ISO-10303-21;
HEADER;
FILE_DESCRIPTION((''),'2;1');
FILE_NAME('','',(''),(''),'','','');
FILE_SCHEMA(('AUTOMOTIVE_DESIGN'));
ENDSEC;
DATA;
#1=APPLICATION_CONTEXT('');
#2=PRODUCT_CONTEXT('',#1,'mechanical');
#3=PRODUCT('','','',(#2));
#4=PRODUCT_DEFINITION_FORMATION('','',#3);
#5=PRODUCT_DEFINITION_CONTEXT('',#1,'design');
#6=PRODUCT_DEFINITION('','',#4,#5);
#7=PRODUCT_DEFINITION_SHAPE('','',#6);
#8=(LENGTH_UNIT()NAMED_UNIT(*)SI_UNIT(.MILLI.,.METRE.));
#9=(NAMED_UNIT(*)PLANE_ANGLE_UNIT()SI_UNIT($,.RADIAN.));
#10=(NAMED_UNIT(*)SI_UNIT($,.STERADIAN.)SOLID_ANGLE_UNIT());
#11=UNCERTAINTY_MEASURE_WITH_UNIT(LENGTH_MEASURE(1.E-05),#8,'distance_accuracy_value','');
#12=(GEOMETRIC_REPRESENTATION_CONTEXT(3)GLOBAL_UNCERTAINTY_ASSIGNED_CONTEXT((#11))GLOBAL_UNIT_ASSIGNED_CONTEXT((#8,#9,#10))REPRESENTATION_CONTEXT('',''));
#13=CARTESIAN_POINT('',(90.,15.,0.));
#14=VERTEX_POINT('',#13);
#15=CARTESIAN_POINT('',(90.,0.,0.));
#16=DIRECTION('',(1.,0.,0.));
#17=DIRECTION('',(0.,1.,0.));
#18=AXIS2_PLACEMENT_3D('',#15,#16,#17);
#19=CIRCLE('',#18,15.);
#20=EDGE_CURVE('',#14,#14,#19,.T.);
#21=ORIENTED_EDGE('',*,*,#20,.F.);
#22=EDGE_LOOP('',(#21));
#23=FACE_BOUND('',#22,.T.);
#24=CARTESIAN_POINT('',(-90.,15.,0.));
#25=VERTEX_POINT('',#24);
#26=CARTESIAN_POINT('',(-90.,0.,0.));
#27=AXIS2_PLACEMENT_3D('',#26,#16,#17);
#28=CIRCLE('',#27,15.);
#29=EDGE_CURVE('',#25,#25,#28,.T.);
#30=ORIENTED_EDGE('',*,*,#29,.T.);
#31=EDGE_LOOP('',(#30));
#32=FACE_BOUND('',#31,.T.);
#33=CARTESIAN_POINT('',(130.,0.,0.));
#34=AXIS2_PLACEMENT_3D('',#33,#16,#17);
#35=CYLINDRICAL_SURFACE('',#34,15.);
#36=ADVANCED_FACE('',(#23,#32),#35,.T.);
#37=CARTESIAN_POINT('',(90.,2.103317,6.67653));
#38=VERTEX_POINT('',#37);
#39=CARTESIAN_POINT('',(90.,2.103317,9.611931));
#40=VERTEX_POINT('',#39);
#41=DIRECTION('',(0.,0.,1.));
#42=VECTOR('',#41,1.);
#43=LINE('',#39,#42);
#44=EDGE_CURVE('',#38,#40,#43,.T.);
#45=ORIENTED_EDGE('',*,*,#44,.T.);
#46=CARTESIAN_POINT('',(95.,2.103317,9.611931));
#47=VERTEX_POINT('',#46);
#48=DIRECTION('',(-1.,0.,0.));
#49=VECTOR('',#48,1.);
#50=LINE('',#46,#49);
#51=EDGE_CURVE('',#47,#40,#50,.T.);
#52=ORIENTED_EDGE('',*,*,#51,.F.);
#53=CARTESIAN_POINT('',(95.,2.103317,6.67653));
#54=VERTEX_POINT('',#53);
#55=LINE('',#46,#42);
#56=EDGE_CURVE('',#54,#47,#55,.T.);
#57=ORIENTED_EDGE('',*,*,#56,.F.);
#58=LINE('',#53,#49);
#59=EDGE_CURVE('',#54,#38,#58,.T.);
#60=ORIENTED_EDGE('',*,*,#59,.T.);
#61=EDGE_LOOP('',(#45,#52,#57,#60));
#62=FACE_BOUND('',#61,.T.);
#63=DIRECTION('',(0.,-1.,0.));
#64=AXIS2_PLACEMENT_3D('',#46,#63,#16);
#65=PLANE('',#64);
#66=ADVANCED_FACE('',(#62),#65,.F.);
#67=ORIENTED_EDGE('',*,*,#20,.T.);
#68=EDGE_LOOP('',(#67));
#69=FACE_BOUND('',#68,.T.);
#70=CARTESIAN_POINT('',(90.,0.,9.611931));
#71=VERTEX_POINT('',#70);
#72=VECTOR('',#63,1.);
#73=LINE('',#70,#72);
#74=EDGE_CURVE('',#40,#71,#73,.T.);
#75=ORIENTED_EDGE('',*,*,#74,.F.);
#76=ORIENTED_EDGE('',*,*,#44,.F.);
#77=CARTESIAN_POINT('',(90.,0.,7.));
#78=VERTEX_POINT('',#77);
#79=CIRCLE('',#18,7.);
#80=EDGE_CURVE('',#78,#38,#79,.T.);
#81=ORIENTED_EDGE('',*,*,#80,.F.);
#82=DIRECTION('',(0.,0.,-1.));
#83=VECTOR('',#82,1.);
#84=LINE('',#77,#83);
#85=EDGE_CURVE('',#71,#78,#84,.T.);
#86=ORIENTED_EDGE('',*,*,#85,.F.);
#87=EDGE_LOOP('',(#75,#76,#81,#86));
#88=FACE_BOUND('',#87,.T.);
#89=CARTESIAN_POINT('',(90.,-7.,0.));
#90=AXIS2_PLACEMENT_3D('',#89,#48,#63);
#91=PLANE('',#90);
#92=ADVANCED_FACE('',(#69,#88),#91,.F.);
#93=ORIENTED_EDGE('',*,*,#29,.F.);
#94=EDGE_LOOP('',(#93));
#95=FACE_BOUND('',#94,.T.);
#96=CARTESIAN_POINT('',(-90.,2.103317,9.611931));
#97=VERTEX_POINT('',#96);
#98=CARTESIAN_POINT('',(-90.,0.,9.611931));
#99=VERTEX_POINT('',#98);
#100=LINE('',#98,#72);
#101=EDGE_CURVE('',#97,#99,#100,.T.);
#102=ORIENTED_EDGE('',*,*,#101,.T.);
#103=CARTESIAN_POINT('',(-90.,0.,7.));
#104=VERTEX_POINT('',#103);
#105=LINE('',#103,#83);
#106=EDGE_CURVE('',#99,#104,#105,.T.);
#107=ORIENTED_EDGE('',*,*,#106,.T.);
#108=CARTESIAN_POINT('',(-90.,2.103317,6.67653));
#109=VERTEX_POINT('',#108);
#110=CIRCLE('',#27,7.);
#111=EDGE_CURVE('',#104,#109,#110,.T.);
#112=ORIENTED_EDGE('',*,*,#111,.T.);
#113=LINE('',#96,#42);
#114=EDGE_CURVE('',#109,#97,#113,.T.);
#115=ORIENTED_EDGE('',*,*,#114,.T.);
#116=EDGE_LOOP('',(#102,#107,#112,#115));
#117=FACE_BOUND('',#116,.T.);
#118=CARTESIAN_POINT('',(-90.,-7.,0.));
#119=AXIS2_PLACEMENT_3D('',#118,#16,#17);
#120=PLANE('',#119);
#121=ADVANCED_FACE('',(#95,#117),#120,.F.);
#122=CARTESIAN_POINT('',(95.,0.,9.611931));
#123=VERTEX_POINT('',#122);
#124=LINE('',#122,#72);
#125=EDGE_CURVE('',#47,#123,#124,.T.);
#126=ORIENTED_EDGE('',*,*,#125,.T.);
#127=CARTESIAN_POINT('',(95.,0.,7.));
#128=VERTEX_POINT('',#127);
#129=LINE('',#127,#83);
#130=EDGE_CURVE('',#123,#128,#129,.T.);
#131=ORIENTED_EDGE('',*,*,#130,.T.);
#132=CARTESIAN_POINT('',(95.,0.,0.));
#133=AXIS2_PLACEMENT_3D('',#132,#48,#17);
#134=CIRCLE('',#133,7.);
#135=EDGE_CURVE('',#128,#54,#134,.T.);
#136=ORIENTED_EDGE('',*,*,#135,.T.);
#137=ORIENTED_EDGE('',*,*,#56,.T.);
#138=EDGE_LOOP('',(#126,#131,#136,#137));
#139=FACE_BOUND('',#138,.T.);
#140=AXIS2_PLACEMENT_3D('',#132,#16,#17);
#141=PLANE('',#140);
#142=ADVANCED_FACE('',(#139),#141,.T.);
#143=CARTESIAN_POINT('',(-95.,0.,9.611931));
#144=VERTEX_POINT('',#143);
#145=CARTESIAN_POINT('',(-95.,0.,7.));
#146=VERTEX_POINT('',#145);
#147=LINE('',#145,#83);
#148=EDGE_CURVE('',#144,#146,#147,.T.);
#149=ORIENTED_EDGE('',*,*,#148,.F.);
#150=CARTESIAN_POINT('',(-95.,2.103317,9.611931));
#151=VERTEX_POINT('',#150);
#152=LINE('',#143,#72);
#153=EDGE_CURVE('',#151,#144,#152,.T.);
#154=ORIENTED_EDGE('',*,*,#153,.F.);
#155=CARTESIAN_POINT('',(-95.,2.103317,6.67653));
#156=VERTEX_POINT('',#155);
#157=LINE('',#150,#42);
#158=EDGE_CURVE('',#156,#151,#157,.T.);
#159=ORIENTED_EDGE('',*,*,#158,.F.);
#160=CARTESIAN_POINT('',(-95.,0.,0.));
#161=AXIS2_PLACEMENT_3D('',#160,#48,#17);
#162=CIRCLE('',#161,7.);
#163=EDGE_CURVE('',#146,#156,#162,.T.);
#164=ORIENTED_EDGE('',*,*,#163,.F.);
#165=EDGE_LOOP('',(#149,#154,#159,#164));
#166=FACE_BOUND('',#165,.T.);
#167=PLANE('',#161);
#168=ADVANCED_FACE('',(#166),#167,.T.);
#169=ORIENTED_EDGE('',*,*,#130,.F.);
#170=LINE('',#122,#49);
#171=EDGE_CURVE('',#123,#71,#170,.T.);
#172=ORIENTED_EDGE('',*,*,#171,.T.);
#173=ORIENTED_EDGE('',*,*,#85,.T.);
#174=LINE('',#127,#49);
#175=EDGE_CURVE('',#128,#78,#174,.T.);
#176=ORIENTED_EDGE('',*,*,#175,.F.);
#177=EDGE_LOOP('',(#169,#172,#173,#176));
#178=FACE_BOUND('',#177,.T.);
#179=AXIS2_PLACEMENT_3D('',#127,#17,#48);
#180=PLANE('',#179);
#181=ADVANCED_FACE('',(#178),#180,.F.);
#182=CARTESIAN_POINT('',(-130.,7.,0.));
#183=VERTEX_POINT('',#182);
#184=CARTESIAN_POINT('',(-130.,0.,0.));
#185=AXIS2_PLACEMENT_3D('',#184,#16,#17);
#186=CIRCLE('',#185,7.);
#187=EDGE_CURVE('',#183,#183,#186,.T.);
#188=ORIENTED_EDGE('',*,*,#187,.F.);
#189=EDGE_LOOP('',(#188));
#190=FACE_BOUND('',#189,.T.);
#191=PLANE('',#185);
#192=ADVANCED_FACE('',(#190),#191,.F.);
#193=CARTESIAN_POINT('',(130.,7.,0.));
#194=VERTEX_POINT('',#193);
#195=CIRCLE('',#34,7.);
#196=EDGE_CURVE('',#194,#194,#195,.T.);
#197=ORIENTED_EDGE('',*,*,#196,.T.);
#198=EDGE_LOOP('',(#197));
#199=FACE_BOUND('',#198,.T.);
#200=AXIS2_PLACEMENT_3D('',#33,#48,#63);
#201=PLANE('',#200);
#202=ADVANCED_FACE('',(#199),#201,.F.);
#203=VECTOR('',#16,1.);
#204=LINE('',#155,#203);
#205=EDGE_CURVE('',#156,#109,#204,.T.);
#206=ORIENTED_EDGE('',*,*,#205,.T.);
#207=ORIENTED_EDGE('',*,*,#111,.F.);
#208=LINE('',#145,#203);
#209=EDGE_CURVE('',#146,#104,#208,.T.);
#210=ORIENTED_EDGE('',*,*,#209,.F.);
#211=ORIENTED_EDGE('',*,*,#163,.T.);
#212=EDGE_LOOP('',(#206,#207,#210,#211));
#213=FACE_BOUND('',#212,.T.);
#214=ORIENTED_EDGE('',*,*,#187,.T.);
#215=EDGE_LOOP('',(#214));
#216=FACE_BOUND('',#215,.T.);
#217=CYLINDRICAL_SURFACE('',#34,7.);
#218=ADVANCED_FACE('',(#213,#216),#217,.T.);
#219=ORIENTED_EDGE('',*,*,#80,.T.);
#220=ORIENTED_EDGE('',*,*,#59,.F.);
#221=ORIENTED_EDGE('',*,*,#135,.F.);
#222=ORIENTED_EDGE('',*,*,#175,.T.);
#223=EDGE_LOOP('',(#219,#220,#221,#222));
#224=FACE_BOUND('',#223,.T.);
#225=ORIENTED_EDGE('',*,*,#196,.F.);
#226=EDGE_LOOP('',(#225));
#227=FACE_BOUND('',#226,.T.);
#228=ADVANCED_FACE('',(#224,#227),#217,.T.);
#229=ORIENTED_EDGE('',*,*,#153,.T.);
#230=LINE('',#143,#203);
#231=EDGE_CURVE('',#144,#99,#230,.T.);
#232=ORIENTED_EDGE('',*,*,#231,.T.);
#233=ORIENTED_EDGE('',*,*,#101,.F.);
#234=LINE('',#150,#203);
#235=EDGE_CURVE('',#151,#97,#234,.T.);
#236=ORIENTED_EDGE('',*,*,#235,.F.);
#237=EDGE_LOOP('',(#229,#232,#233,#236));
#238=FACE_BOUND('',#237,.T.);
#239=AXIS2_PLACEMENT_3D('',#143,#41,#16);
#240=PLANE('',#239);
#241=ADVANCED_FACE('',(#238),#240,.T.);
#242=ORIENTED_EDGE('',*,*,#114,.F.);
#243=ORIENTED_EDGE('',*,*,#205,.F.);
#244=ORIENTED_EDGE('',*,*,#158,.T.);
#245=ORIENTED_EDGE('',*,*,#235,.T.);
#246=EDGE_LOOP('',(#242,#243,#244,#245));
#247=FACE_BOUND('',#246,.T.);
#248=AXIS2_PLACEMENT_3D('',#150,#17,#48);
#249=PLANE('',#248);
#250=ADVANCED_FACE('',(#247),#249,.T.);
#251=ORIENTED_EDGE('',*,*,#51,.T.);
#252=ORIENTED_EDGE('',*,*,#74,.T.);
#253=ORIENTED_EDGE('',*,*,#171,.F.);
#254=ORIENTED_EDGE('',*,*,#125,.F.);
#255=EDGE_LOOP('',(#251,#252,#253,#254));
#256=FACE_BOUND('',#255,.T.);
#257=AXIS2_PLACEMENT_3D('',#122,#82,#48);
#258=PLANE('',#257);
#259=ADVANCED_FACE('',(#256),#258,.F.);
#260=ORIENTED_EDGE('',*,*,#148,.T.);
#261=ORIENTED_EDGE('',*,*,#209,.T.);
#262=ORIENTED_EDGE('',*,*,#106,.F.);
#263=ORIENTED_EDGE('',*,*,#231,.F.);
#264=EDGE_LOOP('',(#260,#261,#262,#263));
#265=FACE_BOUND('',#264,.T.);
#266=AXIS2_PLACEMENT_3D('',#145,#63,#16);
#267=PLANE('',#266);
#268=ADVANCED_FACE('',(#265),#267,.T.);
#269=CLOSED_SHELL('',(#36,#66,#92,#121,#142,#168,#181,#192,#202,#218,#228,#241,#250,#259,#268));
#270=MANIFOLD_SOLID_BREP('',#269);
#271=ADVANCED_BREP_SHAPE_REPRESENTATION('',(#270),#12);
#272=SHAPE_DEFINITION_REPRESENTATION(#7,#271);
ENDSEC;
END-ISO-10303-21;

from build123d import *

# Parameters (mm, degrees)
BOSS_EXTRUDE1_START = 5
BOSS_EXTRUDE1_DEPTH = 5


with BuildPart() as part:
    # Sketch2 → Revolve1 (revolve)
    with BuildSketch(Plane.XY):
        Polygon((130, 0), (-130, 0), (-130, -7), (-90, -7), (-90, -15), (90, -15), (90, -7), (130, -7), align=None)
    revolve(axis=Axis((130, 0, 0), (-1, 0, 0)))

    # Sketch3 → Boss-Extrude1 (add)
    with BuildSketch(Plane(origin=(90, 0, 0), x_dir=(0, 0, -1), z_dir=(1, 0, 0)).offset(BOSS_EXTRUDE1_START)):
        with BuildLine():
            Line((-7, 0), (-9.611930855, 0))
            Line((-9.611930855, 0), (-9.611930855, 2.103316634))
            Line((-9.611930855, 2.103316634), (-6.676530471, 2.103316634))
            ThreePointArc((-6.676530471, 2.103316634), (-6.918660033, 1.064022251), (-7, 0))
        make_face()
    boss_extrude1 = extrude(amount=-BOSS_EXTRUDE1_DEPTH)

    # Mirror1: Boss-Extrude1 across plane
    add(boss_extrude1.mirror(Plane(origin=(0, 0, 0), x_dir=(0, 0, 1), z_dir=(1, 0, 0))))


solid = part.part
